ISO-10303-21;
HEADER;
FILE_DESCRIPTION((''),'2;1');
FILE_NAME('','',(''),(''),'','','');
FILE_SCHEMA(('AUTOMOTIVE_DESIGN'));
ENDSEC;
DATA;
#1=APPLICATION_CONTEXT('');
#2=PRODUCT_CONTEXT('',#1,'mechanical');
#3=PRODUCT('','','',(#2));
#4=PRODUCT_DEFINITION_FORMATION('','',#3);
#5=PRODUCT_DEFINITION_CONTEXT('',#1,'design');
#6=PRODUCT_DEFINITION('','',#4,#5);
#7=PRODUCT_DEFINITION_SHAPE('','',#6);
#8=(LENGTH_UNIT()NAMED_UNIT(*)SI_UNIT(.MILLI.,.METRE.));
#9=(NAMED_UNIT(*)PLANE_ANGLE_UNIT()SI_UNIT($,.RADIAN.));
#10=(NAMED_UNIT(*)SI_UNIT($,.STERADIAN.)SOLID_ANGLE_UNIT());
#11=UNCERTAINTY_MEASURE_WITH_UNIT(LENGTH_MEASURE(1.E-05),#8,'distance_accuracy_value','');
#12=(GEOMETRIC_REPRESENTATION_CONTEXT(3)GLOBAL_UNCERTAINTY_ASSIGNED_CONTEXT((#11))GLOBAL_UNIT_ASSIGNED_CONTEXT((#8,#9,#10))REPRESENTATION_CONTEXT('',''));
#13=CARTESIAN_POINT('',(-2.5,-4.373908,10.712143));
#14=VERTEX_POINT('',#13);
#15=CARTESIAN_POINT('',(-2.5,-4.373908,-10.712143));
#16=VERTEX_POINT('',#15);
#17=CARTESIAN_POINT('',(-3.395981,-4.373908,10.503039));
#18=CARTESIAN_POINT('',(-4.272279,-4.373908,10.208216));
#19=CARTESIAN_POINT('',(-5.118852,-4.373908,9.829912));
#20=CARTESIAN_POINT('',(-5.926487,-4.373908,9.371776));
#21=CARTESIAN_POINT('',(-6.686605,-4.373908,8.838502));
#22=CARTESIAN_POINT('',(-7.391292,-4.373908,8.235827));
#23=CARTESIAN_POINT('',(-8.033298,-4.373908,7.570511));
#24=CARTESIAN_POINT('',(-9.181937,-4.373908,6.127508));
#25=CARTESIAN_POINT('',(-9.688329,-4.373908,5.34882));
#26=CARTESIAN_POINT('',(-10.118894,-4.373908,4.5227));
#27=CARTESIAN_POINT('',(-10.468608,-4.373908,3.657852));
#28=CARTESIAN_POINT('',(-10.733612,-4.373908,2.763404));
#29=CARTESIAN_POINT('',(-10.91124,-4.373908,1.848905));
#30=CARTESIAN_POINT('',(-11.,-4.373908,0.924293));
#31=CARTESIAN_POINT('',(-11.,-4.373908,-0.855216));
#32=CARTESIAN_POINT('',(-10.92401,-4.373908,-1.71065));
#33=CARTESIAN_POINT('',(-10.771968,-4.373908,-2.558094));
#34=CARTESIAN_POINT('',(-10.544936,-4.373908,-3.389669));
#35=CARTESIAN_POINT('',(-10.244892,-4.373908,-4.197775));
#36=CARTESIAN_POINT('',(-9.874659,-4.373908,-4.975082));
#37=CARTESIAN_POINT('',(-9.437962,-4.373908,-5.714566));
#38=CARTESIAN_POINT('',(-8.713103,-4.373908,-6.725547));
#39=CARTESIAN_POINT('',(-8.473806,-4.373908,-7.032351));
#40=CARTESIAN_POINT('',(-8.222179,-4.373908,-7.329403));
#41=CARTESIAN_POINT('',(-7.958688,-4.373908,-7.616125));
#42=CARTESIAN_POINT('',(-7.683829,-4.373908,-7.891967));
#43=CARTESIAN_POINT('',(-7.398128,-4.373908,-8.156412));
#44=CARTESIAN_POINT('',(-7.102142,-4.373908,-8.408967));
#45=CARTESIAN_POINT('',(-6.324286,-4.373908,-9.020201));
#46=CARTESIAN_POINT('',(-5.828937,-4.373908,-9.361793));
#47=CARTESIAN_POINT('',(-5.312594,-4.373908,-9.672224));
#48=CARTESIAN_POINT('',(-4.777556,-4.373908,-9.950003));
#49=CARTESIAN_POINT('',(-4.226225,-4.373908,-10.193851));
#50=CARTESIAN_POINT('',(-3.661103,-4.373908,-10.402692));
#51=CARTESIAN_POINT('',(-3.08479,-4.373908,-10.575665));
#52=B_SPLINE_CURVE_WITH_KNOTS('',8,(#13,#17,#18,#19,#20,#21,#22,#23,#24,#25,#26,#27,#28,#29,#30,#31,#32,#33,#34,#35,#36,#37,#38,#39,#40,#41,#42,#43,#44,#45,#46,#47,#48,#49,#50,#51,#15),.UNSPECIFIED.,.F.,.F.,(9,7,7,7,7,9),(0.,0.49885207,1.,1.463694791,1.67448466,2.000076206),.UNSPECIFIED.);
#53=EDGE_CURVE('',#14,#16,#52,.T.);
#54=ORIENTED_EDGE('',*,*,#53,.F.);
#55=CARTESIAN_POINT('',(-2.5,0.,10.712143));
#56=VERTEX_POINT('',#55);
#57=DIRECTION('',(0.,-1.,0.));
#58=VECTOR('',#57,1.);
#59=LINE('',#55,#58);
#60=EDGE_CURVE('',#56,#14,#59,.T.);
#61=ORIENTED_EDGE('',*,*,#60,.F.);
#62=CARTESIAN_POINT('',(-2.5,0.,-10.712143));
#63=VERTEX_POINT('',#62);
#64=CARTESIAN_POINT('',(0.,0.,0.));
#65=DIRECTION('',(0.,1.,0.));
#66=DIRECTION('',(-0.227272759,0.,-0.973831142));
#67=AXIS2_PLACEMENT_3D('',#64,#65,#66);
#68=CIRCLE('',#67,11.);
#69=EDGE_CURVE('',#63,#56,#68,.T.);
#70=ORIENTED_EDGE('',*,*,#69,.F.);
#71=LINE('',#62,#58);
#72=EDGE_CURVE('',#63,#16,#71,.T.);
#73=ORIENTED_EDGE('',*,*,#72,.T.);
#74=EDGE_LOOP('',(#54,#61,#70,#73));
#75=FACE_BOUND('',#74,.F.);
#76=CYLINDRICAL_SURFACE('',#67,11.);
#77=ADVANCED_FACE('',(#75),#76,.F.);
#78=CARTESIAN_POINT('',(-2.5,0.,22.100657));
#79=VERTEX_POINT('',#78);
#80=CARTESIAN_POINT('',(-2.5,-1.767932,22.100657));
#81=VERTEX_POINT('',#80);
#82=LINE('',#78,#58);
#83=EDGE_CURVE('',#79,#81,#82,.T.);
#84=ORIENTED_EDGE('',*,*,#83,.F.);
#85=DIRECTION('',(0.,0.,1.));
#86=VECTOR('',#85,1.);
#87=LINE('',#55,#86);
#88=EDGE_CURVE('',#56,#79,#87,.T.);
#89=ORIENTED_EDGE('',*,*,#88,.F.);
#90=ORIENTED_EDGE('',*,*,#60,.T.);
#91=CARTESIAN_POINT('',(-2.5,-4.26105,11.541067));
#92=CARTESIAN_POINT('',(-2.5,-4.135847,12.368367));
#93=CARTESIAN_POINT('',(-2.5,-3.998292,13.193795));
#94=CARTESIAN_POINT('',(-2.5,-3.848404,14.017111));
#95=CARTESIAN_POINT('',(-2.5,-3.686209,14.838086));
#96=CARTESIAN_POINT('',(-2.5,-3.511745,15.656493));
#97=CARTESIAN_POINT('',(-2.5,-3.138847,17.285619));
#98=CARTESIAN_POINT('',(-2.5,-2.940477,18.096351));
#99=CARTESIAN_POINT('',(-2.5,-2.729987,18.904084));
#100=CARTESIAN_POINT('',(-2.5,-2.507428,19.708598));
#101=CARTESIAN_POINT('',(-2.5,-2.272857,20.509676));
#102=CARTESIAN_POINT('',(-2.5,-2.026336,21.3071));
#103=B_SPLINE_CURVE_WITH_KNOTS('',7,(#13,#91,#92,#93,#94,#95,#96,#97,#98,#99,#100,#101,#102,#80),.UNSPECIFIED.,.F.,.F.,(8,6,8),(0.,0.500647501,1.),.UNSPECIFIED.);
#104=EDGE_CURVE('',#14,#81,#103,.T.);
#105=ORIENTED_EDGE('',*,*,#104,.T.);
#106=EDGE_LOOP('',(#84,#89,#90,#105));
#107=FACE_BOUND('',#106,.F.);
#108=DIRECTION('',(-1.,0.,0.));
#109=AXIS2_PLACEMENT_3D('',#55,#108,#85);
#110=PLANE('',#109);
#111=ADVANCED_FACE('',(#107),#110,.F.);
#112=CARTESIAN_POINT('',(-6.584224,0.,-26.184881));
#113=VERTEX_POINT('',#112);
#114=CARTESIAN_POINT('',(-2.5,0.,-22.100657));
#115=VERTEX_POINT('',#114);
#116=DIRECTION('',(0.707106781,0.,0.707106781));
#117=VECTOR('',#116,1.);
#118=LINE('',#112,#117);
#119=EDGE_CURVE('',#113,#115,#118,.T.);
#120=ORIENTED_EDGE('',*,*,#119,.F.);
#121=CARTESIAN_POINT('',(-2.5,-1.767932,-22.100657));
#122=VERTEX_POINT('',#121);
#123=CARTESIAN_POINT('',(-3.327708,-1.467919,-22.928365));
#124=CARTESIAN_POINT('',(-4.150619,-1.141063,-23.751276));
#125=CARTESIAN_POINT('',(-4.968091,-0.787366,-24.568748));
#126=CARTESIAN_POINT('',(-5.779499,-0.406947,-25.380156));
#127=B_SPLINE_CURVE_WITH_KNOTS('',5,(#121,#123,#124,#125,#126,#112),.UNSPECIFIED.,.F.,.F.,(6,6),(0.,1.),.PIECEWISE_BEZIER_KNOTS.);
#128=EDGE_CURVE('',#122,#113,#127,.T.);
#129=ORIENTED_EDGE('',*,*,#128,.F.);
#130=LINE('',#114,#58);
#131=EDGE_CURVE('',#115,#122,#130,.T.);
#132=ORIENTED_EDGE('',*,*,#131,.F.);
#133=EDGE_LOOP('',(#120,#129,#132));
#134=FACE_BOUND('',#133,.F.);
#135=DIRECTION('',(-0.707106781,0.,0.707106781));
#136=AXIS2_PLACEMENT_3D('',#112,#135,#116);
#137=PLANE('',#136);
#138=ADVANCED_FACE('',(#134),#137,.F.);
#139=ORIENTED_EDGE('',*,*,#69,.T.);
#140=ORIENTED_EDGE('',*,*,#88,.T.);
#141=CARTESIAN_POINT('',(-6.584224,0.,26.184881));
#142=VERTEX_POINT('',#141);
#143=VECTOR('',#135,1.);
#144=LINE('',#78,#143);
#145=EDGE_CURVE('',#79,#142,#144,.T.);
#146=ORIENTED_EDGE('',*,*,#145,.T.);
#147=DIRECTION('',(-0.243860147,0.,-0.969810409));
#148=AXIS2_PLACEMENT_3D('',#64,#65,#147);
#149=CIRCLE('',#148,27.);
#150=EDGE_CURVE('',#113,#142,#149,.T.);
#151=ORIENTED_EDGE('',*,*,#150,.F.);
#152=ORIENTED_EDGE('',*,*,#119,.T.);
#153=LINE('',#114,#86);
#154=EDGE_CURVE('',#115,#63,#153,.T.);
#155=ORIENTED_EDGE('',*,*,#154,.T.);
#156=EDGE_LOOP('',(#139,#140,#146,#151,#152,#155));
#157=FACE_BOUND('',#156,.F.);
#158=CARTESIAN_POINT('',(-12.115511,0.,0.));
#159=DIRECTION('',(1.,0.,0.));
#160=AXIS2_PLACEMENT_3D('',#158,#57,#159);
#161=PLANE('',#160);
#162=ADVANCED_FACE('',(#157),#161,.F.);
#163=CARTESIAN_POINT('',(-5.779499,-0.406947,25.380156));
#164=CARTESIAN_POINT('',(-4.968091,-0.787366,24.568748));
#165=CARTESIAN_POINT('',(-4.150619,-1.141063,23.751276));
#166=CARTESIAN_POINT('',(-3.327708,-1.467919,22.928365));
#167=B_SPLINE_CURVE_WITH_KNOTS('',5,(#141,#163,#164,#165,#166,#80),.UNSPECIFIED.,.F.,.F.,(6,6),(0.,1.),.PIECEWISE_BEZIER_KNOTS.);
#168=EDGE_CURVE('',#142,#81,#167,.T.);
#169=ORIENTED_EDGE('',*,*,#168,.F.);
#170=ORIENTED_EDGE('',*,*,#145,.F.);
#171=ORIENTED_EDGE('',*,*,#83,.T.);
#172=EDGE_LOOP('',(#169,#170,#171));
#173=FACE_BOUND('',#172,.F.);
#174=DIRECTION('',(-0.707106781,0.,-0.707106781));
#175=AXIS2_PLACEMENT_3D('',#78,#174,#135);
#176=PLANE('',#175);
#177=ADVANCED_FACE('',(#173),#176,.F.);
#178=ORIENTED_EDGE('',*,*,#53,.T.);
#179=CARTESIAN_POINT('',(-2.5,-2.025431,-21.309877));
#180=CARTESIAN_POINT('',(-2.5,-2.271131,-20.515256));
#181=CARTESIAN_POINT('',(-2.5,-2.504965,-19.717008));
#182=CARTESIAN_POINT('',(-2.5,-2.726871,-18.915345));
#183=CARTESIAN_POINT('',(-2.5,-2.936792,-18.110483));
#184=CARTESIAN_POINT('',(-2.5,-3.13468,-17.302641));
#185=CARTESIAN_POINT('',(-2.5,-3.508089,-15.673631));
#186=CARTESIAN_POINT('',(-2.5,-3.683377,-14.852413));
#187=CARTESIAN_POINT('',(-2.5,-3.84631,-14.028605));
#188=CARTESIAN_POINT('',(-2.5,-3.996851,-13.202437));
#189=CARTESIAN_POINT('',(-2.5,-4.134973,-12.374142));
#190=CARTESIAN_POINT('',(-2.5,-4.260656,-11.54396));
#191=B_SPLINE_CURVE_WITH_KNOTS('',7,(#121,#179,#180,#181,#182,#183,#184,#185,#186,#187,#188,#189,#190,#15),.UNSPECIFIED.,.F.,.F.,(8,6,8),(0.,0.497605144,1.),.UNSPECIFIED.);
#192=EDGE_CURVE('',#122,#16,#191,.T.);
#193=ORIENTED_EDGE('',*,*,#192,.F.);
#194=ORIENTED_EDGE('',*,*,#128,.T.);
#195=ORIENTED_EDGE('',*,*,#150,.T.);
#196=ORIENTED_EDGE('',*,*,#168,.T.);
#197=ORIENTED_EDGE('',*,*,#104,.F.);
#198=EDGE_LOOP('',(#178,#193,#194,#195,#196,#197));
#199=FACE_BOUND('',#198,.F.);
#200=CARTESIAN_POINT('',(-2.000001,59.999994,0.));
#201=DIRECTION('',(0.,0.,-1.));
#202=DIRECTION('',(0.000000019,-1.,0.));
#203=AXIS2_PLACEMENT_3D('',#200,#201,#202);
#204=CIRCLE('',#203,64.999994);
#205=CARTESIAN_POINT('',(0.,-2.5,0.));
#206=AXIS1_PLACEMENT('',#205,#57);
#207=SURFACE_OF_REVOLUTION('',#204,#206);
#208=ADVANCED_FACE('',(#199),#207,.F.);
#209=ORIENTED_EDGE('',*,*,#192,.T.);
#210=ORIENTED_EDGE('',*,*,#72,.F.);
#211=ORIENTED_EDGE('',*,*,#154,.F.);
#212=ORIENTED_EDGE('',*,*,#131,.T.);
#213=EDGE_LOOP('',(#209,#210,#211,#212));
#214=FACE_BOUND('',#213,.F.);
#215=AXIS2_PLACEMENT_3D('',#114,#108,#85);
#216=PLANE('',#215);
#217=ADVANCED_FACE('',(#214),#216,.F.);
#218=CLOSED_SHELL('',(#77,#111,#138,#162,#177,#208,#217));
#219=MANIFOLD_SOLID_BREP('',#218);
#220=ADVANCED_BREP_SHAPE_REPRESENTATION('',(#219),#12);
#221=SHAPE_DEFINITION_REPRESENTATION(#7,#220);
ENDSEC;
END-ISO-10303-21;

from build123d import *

# Parameters (mm, degrees)
F2_DEPTH = 5


with BuildPart() as f2:
    # F1 (on Front) → F2 (new body)
    with BuildSketch(Plane.XZ):
        with BuildLine():
            ThreePointArc((-2.5, -10.712143), (-11, 0), (-2.5, 10.712143))
            Line((-2.5, 10.712143), (-2.5, 22.100657))
            Line((-2.5, 22.100657), (-6.584224, 26.184881))
            ThreePointArc((-6.584224, 26.184881), (-27, 0), (-6.584224, -26.184881))
            Line((-6.584224, -26.184881), (-2.5, -22.100657))
            Line((-2.5, -22.100657), (-2.5, -10.712143))
        make_face()
    extrude(amount=F2_DEPTH)

    # F3 (on Top) → F4 (revolve, cut)
    with BuildSketch(Plane.XY):
        with BuildLine():
            Line((-27, -5), (-2, -5))
            ThreePointArc((-2, -5), (-14.747549, -3.737744), (-27, 0))
            Line((-27, 0), (-27, -5))
        make_face()
    revolve(axis=Axis((0, -2.5, 0), (0, -1, 0)), mode=Mode.SUBTRACT)


solid = f2.part
